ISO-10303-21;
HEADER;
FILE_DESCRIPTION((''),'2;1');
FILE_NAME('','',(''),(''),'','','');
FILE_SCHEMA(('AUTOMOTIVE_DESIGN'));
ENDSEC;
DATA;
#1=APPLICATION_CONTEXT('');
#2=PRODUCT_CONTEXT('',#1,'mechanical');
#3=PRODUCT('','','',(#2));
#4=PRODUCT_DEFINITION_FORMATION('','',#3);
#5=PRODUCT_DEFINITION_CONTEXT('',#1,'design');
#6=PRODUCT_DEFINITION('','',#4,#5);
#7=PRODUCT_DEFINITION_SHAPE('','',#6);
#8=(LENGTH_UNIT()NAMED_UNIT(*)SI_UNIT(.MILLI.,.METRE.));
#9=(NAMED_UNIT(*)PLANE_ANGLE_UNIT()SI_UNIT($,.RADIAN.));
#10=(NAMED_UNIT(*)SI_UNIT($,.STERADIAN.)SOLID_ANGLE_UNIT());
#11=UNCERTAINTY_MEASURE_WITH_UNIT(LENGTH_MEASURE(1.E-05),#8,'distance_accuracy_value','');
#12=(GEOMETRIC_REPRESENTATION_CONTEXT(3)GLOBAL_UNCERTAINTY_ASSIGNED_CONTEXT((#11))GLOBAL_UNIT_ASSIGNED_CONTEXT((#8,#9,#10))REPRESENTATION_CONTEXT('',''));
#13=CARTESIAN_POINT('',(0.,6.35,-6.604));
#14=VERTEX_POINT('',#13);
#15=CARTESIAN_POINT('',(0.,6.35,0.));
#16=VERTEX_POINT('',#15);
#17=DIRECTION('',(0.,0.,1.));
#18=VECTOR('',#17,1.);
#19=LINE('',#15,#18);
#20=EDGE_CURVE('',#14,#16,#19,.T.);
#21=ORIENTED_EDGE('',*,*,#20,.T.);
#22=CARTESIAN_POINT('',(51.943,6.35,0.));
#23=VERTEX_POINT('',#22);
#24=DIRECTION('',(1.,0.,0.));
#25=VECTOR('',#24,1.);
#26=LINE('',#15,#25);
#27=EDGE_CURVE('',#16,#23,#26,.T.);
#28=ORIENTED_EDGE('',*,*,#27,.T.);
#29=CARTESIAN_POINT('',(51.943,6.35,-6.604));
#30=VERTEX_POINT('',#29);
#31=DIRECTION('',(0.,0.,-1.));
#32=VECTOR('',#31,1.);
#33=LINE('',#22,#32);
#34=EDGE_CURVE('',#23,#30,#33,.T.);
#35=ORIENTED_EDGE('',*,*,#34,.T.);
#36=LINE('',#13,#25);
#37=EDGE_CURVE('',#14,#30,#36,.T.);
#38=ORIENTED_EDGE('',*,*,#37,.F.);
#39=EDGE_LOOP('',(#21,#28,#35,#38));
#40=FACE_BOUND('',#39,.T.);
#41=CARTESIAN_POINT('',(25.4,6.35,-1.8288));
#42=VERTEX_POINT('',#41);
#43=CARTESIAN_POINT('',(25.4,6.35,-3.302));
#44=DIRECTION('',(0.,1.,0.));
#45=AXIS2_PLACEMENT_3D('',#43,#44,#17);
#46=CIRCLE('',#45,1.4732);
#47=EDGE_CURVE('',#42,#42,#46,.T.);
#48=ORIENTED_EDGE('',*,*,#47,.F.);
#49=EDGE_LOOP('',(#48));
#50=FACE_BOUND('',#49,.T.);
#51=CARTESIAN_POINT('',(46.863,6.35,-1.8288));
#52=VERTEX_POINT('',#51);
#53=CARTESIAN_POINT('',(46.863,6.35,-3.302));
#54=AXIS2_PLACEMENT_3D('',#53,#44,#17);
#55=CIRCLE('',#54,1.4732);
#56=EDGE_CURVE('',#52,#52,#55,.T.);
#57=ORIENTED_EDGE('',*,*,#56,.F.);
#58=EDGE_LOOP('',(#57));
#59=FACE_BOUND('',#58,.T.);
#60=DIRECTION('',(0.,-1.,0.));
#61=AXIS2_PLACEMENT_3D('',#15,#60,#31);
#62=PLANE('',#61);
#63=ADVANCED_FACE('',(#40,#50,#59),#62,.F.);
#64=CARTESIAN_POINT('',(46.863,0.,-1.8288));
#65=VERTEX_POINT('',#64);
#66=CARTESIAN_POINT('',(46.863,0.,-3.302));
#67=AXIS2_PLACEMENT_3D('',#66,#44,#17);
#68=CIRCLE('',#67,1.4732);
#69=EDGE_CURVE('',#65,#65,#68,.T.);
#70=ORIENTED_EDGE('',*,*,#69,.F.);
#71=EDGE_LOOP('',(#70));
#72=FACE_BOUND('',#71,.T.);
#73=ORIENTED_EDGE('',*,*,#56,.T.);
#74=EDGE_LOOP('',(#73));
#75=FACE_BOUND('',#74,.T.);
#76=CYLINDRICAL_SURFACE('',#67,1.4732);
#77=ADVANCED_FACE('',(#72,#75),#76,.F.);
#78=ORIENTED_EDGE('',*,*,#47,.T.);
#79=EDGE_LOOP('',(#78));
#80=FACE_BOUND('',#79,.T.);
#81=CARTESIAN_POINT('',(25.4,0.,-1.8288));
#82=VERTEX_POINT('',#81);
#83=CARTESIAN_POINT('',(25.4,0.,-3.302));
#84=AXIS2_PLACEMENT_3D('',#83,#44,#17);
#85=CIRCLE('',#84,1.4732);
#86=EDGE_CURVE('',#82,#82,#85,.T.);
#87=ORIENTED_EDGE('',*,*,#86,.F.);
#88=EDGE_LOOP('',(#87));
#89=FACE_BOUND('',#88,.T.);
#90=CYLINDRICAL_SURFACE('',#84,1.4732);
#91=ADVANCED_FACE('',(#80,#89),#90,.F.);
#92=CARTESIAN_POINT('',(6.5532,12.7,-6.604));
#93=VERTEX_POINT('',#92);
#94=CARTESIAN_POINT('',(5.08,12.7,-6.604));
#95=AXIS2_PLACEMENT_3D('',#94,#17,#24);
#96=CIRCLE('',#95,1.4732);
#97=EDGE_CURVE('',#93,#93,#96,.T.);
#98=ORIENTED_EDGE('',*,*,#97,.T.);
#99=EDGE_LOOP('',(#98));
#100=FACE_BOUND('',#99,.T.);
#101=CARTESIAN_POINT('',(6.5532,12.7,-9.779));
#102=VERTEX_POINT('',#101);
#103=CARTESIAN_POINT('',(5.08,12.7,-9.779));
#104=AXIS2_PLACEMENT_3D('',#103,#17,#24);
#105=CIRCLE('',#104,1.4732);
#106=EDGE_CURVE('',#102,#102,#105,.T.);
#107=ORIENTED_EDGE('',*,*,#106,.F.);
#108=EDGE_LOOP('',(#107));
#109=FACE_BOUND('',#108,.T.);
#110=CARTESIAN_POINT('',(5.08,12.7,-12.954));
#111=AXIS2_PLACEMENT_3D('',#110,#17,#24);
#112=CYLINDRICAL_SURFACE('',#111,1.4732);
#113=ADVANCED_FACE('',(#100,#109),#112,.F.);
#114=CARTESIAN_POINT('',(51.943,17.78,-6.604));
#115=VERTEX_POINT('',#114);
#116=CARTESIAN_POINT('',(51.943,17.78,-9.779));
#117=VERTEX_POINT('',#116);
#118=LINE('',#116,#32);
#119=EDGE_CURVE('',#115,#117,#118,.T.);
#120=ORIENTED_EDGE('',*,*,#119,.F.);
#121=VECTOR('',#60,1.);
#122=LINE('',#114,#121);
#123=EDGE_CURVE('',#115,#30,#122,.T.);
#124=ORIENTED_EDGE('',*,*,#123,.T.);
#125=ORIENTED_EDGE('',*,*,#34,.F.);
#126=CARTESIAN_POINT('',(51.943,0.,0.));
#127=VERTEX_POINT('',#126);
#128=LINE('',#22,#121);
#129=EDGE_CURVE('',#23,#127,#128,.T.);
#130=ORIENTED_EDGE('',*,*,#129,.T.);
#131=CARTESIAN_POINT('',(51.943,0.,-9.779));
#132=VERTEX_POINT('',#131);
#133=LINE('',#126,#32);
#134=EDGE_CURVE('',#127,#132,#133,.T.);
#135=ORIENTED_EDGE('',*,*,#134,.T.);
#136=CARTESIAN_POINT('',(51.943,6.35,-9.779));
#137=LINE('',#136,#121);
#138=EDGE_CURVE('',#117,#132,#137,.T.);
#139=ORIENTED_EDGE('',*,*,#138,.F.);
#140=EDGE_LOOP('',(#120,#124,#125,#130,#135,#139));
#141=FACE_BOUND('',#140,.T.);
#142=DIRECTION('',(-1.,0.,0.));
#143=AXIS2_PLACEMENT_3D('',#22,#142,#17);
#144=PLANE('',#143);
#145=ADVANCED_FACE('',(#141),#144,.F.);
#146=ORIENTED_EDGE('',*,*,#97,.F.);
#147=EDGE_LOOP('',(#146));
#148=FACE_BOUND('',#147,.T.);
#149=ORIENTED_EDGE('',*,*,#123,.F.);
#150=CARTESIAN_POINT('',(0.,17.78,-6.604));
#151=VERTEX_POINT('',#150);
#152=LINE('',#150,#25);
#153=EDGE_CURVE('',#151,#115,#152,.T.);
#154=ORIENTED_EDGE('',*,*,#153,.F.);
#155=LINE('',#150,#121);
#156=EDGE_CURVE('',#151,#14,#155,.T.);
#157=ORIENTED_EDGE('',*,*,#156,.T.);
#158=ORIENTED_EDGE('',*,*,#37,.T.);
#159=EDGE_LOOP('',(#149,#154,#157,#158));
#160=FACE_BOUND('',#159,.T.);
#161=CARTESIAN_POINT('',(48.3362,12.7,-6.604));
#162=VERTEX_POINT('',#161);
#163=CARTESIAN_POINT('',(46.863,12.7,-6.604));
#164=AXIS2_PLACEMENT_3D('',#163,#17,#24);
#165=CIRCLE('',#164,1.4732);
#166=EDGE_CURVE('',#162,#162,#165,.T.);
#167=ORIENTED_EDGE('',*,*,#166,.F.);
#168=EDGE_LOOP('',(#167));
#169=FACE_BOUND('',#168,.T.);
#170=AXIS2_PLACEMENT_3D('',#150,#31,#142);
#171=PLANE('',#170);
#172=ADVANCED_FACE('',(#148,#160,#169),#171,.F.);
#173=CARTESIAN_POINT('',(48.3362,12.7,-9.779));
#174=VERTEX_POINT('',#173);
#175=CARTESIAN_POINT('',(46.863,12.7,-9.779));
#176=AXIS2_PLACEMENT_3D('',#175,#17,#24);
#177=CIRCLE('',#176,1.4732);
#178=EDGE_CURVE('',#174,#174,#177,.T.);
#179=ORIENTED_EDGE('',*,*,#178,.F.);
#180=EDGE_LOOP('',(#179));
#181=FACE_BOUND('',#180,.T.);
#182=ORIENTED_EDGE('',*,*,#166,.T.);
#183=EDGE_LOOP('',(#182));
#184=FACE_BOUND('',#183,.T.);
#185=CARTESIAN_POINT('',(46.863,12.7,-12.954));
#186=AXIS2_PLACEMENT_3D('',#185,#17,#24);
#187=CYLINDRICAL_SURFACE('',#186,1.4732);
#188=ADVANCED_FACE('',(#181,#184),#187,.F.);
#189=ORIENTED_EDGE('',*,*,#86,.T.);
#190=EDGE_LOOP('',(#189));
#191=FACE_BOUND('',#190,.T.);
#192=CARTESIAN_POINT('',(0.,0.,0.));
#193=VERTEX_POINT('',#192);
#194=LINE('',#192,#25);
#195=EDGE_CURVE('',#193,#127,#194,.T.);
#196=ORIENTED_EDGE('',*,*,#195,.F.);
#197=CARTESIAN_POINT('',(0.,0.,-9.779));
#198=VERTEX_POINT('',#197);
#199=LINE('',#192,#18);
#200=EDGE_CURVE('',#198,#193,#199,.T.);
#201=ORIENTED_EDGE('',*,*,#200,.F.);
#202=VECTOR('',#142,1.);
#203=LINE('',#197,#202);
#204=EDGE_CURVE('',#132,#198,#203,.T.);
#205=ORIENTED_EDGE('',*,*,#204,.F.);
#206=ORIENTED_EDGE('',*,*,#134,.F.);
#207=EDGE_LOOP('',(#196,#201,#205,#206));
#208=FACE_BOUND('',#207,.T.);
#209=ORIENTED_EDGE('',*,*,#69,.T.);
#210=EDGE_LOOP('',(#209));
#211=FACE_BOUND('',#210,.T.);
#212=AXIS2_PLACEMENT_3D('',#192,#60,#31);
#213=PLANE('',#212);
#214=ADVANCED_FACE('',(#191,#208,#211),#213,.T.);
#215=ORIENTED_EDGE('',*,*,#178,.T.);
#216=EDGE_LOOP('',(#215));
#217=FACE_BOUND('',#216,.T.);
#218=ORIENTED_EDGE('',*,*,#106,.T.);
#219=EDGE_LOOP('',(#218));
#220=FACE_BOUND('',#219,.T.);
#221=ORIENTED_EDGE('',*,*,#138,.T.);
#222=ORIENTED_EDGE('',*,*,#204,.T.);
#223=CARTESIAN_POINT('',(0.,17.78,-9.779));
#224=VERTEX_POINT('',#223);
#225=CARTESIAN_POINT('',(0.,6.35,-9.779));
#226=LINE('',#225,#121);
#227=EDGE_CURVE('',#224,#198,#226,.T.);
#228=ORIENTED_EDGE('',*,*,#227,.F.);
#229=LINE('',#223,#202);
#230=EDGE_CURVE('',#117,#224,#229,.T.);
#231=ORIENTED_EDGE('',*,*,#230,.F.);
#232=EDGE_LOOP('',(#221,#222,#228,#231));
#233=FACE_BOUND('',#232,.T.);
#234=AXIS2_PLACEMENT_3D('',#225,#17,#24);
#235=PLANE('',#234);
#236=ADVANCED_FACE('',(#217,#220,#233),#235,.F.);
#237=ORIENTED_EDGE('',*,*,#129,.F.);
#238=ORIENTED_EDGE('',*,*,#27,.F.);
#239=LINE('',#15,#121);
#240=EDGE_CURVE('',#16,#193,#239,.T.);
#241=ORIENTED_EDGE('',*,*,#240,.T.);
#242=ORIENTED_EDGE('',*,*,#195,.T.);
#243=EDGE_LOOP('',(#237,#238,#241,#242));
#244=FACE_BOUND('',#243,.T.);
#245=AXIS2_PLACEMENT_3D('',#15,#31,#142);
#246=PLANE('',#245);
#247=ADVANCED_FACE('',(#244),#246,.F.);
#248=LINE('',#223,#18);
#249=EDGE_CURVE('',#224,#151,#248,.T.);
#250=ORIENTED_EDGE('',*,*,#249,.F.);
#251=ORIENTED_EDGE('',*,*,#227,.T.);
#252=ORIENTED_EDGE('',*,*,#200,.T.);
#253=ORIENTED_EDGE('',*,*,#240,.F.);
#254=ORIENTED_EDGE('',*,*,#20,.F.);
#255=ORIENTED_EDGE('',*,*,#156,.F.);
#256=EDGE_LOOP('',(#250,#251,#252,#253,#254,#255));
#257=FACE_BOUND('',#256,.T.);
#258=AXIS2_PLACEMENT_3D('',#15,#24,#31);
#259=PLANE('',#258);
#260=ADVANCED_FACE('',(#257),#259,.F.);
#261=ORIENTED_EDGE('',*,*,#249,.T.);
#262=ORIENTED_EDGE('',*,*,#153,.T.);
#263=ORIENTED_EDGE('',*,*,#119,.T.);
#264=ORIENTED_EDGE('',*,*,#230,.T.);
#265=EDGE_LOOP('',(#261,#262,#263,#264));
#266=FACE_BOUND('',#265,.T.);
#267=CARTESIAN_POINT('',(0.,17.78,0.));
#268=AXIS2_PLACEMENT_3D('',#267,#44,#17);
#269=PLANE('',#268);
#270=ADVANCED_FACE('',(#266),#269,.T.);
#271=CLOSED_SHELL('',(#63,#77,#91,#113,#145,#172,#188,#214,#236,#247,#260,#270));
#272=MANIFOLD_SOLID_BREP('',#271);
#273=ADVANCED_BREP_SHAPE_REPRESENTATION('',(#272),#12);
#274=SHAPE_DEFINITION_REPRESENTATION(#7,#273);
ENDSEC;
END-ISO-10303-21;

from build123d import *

# Parameters (mm, degrees)
SKETCH1_W           = 51.943
SKETCH1_H           = 9.779
BOSS_EXTRUDE1_DEPTH = 6.35
SKETCH2_W           = 51.943
SKETCH2_H           = 3.175
BOSS_EXTRUDE2_DEPTH = 11.43
SKETCH4_R           = 1.4732
CUT_EXTRUDE1_DEPTH  = 6.35
SKETCH3_R           = 1.4732
CUT_EXTRUDE2_DEPTH  = 6.35


with BuildPart() as part:
    # Sketch1 → Boss-Extrude1 (new body)
    with BuildSketch(Plane(origin=(0, 0, 0), x_dir=(1, 0, 0), z_dir=(0, 1, 0))):
        with Locations((25.9715, 4.8895)):
            Rectangle(SKETCH1_W, SKETCH1_H)
    extrude(amount=BOSS_EXTRUDE1_DEPTH)

    # Sketch2 → Boss-Extrude2 (add)
    with BuildSketch(Plane(origin=(0, 6.35, 0), x_dir=(1, 0, 0), z_dir=(0, 1, 0))):
        with Locations((25.9715, 8.1915)):
            Rectangle(SKETCH2_W, SKETCH2_H)
    extrude(amount=BOSS_EXTRUDE2_DEPTH)

    # Sketch4 → Cut-Extrude1 (cut)
    with BuildSketch(Plane.XY.offset(-6.604)):
        with Locations((46.863, 12.7)):
            Circle(SKETCH4_R)
        with Locations((5.08, 12.7)):
            Circle(SKETCH4_R)
    extrude(amount=-CUT_EXTRUDE1_DEPTH, mode=Mode.SUBTRACT)

    # Sketch3 → Cut-Extrude2 (cut)
    with BuildSketch(Plane(origin=(0, 6.35, 0), x_dir=(1, 0, 0), z_dir=(0, 1, 0))):
        with Locations(Location((25.4, 3.302, 0), (0, 0, 270))):
            Circle(SKETCH3_R)
        with Locations(Location((46.863, 3.302, 0), (0, 0, 270))):
            Circle(SKETCH3_R)
    extrude(amount=-CUT_EXTRUDE2_DEPTH, mode=Mode.SUBTRACT)


solid = part.part
